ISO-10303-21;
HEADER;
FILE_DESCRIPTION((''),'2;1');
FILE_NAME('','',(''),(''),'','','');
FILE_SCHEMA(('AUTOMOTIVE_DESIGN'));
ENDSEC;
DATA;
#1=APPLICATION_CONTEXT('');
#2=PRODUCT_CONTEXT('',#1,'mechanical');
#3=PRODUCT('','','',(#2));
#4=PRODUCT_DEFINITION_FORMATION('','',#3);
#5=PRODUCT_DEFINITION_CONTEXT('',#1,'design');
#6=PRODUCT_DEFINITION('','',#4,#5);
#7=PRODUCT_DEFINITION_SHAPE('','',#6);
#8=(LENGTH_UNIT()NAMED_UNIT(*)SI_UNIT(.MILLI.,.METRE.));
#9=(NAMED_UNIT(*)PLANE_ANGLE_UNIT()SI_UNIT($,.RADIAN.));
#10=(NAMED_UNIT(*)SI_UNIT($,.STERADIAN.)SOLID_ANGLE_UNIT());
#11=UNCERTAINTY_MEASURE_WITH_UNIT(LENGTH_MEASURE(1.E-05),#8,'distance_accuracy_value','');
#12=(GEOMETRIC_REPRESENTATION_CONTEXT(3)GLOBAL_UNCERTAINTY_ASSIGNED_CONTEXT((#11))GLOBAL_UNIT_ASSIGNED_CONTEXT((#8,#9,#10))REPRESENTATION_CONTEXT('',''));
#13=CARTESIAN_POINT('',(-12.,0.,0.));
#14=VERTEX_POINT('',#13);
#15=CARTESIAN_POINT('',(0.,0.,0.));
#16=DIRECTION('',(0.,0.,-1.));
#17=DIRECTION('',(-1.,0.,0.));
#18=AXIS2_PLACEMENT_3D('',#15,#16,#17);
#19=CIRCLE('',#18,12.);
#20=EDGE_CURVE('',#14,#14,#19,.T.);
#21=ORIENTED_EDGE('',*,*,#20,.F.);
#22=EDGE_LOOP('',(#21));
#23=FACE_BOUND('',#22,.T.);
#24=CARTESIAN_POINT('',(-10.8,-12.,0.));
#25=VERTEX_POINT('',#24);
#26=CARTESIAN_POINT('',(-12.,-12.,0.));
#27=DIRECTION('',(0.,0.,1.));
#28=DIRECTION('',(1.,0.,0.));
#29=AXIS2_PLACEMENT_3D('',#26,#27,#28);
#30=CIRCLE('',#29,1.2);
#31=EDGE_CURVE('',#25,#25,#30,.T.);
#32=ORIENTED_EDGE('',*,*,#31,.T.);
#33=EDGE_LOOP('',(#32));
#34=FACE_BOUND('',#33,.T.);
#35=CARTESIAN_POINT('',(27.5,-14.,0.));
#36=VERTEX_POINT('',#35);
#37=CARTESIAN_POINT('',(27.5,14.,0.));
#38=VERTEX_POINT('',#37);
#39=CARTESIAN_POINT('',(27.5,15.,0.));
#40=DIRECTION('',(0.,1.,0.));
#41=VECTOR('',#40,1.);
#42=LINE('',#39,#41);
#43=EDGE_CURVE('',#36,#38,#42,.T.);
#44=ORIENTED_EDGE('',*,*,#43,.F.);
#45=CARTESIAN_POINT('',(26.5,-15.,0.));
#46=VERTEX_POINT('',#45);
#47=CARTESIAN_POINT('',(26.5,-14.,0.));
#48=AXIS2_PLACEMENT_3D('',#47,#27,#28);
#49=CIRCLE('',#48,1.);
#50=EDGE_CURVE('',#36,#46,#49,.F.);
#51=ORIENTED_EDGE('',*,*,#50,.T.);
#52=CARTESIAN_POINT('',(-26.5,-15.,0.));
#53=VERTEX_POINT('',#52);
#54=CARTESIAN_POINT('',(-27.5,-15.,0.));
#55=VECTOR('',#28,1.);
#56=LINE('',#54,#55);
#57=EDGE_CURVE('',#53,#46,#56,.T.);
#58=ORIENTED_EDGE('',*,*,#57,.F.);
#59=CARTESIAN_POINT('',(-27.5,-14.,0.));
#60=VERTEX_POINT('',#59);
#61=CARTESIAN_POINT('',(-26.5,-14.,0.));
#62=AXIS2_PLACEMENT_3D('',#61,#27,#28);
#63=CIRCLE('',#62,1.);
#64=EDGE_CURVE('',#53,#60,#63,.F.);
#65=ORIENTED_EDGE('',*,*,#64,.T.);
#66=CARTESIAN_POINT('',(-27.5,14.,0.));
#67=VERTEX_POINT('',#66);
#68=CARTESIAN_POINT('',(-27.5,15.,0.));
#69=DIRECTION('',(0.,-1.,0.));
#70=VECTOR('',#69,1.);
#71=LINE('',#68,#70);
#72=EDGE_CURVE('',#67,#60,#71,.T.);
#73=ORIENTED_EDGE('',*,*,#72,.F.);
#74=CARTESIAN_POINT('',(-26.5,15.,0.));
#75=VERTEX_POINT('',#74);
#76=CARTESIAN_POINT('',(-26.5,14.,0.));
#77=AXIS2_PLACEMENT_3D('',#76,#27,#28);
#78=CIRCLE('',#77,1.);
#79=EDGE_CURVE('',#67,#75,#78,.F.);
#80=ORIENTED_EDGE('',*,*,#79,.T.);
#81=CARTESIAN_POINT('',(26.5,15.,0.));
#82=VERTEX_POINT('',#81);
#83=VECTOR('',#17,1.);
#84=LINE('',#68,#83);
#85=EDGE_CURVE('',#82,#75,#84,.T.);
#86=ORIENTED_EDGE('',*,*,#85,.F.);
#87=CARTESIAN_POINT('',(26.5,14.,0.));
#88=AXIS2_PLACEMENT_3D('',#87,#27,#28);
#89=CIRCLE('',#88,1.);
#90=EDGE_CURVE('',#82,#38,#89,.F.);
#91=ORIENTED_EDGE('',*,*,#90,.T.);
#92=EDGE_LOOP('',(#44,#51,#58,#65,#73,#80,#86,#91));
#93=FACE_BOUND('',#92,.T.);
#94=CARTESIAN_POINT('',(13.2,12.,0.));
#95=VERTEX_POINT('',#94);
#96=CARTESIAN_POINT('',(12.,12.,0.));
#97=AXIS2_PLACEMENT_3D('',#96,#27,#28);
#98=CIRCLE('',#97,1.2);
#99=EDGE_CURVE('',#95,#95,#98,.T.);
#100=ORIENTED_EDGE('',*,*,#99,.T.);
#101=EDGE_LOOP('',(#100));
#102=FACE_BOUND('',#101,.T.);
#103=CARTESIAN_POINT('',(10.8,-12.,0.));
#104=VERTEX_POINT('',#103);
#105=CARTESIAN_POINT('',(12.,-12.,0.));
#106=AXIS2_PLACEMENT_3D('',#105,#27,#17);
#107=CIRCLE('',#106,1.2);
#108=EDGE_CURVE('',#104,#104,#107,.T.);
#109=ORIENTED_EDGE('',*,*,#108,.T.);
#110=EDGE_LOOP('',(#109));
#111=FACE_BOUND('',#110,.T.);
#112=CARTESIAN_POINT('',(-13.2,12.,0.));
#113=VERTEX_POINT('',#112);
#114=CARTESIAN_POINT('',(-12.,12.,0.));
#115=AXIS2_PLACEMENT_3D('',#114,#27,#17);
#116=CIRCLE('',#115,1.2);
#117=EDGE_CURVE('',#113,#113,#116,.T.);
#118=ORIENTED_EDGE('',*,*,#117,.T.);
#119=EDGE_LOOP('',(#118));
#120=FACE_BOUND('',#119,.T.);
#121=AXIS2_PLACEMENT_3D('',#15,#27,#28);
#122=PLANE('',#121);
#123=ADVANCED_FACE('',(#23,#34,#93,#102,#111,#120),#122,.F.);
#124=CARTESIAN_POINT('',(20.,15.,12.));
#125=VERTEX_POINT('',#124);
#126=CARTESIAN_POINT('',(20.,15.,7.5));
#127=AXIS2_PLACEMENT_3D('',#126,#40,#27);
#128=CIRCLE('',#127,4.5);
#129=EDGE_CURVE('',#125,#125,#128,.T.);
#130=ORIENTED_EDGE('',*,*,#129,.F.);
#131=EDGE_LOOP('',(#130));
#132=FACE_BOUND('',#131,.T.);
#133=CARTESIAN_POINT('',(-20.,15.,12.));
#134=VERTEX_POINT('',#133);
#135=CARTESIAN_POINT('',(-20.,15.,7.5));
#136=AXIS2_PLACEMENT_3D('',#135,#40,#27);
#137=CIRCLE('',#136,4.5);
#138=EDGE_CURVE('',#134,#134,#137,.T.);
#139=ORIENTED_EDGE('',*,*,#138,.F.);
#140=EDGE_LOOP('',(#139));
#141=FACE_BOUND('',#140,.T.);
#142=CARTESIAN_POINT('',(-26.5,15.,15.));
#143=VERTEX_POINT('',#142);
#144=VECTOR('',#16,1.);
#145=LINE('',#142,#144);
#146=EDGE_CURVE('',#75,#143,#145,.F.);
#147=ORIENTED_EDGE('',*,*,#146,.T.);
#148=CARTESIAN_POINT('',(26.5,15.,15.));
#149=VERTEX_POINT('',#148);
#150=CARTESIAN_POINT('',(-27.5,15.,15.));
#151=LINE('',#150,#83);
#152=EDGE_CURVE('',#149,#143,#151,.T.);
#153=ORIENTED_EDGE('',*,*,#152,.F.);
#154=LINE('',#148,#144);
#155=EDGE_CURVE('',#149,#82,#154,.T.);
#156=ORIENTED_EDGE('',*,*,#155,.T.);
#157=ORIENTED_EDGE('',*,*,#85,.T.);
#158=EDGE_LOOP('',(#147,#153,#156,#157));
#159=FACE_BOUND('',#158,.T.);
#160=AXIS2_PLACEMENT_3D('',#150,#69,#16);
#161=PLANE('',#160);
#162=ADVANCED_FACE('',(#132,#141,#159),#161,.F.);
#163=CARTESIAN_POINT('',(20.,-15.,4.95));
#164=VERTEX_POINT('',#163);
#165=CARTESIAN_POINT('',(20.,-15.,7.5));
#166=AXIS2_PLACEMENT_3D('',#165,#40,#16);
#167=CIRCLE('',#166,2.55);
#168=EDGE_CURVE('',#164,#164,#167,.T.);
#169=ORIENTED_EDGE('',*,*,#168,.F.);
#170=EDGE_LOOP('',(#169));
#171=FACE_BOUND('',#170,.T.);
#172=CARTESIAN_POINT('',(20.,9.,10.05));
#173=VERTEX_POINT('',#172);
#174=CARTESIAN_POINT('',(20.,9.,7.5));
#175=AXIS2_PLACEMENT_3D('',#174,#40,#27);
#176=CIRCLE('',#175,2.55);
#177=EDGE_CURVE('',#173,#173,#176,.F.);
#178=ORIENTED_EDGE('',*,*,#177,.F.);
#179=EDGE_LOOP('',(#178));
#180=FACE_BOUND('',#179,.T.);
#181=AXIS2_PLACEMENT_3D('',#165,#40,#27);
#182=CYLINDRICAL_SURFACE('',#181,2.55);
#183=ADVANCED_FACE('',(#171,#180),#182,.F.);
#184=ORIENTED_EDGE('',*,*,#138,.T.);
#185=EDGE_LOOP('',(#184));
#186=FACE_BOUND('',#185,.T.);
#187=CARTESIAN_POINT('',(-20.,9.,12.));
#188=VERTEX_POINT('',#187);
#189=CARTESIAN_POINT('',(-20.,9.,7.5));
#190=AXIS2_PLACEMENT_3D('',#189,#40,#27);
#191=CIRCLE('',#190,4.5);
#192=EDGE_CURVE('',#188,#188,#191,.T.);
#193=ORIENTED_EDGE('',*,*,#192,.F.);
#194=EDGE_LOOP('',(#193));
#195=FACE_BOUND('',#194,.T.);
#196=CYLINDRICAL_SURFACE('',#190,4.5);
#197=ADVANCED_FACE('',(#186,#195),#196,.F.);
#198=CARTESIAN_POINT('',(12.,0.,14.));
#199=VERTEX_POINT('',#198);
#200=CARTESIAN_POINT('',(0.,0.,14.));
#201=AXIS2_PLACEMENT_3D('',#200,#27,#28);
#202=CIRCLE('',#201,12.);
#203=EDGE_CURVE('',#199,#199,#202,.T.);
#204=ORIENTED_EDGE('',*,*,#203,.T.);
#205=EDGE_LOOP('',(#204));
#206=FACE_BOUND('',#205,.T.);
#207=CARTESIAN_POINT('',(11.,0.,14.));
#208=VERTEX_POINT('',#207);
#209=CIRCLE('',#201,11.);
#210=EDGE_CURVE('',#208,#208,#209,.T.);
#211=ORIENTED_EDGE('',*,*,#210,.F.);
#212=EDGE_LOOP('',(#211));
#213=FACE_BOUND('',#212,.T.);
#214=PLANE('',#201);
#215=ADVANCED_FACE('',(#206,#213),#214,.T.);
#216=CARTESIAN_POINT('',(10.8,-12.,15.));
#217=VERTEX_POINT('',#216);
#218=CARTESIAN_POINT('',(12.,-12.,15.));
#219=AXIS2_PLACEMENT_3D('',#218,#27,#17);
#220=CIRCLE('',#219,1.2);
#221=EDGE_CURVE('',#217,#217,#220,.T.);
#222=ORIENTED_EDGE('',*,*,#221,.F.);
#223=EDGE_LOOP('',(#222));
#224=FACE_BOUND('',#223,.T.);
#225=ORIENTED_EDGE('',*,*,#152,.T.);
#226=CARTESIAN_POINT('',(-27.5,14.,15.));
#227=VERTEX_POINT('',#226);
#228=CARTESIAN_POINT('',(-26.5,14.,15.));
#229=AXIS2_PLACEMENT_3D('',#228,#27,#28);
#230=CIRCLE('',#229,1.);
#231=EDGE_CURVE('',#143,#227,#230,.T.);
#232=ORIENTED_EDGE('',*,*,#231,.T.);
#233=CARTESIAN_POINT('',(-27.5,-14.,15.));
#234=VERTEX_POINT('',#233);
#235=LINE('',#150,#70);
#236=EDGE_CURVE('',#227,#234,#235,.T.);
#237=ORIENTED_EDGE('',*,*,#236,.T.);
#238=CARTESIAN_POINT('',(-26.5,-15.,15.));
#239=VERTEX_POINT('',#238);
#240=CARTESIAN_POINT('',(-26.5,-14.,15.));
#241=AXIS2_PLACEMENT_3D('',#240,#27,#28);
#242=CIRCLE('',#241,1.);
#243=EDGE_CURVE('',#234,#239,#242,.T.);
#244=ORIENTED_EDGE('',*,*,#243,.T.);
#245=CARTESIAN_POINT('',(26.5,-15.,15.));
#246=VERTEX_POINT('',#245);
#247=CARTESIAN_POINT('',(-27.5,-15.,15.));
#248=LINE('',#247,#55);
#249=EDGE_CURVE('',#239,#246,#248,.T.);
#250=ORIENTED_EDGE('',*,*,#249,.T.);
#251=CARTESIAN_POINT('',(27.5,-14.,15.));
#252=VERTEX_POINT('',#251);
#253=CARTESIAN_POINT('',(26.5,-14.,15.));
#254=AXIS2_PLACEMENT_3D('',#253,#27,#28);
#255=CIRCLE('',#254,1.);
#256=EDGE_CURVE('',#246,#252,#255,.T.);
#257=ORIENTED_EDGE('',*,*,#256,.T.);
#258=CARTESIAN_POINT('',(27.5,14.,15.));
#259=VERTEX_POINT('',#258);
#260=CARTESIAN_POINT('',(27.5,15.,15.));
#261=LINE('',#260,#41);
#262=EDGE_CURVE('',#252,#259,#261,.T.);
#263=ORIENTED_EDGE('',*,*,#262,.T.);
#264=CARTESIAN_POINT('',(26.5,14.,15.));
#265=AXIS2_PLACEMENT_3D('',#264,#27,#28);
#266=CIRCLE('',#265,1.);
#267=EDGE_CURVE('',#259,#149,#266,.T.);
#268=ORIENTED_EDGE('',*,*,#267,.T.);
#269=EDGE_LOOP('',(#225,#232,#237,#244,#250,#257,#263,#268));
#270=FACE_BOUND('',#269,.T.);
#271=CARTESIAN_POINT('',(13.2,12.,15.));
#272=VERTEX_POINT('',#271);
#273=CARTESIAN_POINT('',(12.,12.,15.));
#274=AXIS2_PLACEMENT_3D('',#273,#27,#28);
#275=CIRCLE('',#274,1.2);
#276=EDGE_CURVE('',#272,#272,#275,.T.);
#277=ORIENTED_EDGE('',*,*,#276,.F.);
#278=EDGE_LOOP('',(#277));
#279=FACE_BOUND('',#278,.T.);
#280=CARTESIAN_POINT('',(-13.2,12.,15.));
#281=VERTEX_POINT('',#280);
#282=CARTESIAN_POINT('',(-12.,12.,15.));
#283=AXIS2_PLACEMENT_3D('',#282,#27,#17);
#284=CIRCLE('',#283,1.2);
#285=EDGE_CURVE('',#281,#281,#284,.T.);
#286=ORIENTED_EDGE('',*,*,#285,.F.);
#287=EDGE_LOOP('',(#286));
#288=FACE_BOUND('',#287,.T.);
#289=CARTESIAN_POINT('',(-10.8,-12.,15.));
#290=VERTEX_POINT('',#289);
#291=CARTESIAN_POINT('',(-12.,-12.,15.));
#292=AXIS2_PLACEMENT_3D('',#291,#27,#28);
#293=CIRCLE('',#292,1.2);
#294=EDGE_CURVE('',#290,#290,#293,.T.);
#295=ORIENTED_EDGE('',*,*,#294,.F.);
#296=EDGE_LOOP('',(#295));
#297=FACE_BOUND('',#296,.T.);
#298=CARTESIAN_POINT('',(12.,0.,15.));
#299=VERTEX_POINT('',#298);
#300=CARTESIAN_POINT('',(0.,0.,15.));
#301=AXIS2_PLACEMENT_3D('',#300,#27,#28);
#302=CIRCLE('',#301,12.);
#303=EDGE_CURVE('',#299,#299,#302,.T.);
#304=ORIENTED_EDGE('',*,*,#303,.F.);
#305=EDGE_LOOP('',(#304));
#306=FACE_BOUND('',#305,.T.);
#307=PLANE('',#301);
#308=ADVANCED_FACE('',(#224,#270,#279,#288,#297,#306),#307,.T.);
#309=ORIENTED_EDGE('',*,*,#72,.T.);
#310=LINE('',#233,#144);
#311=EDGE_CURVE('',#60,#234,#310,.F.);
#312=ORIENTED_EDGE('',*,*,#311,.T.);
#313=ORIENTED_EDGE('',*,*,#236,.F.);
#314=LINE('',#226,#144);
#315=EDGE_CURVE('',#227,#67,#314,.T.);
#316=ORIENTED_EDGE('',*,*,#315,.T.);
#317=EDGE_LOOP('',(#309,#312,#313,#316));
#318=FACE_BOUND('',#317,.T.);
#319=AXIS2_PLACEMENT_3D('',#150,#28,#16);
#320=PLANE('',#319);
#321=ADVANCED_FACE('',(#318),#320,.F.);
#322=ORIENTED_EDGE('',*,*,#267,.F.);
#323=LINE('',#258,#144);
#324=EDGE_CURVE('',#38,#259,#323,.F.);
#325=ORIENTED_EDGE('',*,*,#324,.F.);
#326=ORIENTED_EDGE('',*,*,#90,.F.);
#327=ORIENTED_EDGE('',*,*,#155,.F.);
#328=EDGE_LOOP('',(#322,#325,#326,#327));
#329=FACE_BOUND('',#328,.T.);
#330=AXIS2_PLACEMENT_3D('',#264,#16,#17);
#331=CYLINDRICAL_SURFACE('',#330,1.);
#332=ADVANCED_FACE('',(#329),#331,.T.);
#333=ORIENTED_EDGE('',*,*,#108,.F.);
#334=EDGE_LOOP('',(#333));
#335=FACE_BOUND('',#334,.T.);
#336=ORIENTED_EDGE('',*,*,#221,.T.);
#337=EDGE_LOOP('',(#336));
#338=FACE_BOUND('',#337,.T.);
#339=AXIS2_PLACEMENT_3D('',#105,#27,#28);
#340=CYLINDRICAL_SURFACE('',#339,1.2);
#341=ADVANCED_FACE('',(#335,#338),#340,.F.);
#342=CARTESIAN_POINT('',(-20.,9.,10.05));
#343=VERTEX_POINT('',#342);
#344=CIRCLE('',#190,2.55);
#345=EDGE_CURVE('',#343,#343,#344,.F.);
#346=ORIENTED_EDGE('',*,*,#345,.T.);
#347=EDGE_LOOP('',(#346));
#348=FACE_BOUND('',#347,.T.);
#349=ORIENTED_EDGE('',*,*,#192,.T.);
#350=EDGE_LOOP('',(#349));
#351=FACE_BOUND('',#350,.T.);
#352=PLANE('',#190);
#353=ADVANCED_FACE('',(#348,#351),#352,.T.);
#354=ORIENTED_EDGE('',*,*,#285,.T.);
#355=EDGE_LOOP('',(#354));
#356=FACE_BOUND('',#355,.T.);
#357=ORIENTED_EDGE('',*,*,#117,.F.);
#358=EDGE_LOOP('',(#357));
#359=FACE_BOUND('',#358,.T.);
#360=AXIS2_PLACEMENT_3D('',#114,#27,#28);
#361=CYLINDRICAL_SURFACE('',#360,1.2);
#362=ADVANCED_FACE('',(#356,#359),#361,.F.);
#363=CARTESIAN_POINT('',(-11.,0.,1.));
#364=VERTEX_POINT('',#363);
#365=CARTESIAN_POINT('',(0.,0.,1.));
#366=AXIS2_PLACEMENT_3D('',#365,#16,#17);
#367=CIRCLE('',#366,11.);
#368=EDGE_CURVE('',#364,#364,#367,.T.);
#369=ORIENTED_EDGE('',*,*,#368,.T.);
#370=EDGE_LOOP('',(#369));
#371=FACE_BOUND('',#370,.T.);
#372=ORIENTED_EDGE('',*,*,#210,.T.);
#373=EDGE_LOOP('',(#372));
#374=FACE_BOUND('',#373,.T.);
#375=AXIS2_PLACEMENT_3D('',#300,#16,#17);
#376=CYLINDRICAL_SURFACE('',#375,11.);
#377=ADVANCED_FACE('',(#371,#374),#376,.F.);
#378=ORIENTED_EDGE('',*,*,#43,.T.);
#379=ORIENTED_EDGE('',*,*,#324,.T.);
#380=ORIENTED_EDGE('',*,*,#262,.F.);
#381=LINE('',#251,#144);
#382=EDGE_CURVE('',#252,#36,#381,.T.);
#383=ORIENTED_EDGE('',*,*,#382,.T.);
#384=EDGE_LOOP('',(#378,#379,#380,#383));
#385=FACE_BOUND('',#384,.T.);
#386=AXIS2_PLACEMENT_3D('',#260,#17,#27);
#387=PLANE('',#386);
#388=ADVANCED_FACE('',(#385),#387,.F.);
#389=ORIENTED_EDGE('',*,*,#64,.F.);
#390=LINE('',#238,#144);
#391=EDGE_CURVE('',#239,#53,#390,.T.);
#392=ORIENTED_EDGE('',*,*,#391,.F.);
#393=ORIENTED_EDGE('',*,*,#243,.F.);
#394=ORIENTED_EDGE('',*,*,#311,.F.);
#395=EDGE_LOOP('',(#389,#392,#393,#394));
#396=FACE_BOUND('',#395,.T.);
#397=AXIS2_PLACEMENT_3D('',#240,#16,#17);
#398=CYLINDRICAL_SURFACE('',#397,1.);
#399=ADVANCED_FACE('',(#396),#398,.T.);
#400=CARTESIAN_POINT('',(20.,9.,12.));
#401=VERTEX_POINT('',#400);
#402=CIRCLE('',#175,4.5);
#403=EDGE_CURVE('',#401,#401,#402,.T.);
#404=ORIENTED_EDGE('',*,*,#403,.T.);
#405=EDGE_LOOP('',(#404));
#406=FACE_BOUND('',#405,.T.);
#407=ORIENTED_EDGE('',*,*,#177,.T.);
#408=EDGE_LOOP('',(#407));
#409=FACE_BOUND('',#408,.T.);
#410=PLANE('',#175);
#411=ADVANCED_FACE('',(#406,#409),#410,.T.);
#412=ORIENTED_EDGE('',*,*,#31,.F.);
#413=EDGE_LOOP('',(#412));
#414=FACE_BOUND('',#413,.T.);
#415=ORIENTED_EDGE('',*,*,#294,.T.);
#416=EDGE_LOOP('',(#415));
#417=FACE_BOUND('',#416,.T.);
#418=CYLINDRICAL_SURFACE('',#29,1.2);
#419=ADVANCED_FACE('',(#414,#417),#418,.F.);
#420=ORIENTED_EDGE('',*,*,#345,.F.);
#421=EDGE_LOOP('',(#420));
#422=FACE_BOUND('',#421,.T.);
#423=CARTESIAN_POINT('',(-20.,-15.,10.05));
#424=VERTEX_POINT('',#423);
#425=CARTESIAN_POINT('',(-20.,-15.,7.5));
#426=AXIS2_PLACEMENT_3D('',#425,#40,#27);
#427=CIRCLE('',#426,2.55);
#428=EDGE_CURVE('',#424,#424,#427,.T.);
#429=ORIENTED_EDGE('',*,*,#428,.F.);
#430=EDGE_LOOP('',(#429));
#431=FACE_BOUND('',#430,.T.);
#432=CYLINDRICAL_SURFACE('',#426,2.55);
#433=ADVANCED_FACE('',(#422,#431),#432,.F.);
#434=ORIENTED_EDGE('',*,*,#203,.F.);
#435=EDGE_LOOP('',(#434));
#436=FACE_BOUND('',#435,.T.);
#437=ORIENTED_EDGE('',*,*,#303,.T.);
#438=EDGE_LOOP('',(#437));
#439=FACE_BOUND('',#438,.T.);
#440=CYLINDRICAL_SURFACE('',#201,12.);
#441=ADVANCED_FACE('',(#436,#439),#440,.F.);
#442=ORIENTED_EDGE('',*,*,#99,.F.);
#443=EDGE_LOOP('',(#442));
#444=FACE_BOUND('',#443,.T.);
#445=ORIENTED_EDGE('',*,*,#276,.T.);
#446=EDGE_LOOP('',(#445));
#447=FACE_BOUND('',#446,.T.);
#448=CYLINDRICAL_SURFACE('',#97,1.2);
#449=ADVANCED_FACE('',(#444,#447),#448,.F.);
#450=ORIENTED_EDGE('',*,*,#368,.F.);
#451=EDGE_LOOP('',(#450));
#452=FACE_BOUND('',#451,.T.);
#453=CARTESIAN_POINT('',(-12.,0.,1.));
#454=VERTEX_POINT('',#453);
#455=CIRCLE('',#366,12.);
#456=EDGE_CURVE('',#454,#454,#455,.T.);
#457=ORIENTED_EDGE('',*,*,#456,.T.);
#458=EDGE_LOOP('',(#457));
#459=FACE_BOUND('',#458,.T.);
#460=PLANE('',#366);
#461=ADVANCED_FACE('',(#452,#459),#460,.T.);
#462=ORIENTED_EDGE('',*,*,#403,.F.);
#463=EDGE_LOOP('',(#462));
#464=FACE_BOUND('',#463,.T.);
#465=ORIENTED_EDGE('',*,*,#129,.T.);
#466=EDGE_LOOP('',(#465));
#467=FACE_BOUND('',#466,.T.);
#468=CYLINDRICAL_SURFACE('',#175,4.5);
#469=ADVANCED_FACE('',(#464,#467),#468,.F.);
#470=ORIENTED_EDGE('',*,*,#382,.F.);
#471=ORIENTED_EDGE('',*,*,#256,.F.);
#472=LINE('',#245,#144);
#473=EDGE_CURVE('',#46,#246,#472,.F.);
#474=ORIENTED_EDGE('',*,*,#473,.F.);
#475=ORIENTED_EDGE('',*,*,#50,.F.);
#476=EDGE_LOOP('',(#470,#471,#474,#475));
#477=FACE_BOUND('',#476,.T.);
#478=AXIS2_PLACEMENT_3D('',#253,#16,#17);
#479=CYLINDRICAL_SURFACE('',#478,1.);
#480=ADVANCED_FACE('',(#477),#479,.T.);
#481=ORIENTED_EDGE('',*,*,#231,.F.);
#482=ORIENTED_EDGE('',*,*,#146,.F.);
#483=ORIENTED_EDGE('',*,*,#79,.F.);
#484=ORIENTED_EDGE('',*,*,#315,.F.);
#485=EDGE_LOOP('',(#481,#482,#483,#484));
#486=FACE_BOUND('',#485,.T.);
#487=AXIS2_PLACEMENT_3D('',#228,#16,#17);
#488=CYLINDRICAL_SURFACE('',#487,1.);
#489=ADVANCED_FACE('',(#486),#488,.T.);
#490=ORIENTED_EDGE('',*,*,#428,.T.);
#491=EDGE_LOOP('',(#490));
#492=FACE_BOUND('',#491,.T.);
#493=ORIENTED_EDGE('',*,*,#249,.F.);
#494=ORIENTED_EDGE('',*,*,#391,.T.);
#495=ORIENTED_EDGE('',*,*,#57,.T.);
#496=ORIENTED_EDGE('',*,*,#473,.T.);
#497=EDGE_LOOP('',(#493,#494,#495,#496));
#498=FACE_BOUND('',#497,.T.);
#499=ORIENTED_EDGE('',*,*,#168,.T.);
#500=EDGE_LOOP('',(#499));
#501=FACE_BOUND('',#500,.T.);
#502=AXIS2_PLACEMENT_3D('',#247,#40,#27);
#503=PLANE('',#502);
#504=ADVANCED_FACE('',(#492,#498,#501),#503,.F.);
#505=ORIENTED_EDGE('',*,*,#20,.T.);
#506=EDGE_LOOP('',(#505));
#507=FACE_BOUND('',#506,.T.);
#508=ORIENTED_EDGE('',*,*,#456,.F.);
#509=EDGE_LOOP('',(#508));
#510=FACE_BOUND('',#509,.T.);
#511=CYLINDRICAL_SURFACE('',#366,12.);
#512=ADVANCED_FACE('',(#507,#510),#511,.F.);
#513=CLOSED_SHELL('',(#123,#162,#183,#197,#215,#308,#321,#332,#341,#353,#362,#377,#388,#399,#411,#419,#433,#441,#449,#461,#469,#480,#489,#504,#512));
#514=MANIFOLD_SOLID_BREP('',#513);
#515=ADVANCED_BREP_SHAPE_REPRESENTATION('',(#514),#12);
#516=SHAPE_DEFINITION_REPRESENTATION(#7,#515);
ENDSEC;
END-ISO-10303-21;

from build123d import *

# Parameters (mm, degrees)
SKETCH_1_W          = 55
SKETCH_1_H          = 30
SKETCH_1_R          = 11
EXTRUDE_1_DEPTH     = 15
SKETCH_2_R          = 2.55
CUT_EXTRUDE_1_DEPTH = 44.373378932
SKETCH_4_R          = 12
CUT_EXTRUDE_3_DEPTH = 1
CUT_EXTRUDE_START   = -1
SKETCH_5_R          = 12
CUT_EXTRUDE_4_DEPTH = 1
SKETCH_6_R          = 1.2
CUT_EXTRUDE_5_DEPTH = 35.731109974
FILLET_2_R          = 1
SKETCH_7_R          = 4.5
CUT_EXTRUDE_6_DEPTH = 6


with BuildPart() as part:
    # 草图1 → 凸台-拉伸1 (new body)
    with BuildSketch(Plane.XY):
        Rectangle(SKETCH_1_W, SKETCH_1_H)
        Circle(SKETCH_1_R, mode=Mode.SUBTRACT)
    extrude(amount=EXTRUDE_1_DEPTH)

    # 草图2 → 切除-拉伸1 (cut, through all)
    with BuildSketch(Plane(origin=(0, 15, 0), x_dir=(1, 0, 0), z_dir=(0, 1, 0))):
        with Locations(Location((-20, -7.5, 0), (0, 0, 270))):
            Circle(SKETCH_2_R)
        with Locations(Location((20, -7.5, 0), (0, 0, 90))):
            Circle(SKETCH_2_R)
    extrude(amount=-CUT_EXTRUDE_1_DEPTH, mode=Mode.SUBTRACT)

    # 草图4 → 切除-拉伸3 (cut)
    with BuildSketch(Plane(origin=(0, 0, 0), x_dir=(-1, 0, 0), z_dir=(0, 0, -1))):
        Circle(SKETCH_4_R)
    extrude(amount=-CUT_EXTRUDE_3_DEPTH, mode=Mode.SUBTRACT)

    # 草图5 → 切除-拉伸4 (cut)
    with BuildSketch(Plane.XY.offset(15).offset(CUT_EXTRUDE_START)):
        with Locations(Location((0, 0, 0), (0, 0, 180))):
            Circle(SKETCH_5_R)
    extrude(amount=CUT_EXTRUDE_4_DEPTH, mode=Mode.SUBTRACT)

    # 草图6 → 切除-拉伸5 (cut, through all)
    with BuildSketch(Plane.XY.offset(15)):
        with Locations((12, 12)):
            Circle(SKETCH_6_R)
        with Locations(Location((-12, 12, 0), (0, 0, 180))):
            Circle(SKETCH_6_R)
        with Locations((-12, -12)):
            Circle(SKETCH_6_R)
        with Locations(Location((12, -12, 0), (0, 0, 180))):
            Circle(SKETCH_6_R)
    extrude(amount=-CUT_EXTRUDE_5_DEPTH, mode=Mode.SUBTRACT)

    # 圆角2
    fillet_2_edges = [part.edges().sort_by_distance(p)[0] for p in [
        (-27.5, 15, 7.5),
        (27.5, 15, 7.5),
        (27.5, -15, 7.5),
        (-27.5, -15, 7.5),
    ]]
    fillet(fillet_2_edges, radius=FILLET_2_R)

    # 草图7 → 切除-拉伸6 (cut)
    with BuildSketch(Plane(origin=(0, 15, 0), x_dir=(1, 0, 0), z_dir=(0, 1, 0))):
        with Locations(Location((-20, -7.5, 0), (0, 0, 270))):
            Circle(SKETCH_7_R)
        with Locations(Location((20, -7.5, 0), (0, 0, 270))):
            Circle(SKETCH_7_R)
    extrude(amount=-CUT_EXTRUDE_6_DEPTH, mode=Mode.SUBTRACT)


solid = part.part
